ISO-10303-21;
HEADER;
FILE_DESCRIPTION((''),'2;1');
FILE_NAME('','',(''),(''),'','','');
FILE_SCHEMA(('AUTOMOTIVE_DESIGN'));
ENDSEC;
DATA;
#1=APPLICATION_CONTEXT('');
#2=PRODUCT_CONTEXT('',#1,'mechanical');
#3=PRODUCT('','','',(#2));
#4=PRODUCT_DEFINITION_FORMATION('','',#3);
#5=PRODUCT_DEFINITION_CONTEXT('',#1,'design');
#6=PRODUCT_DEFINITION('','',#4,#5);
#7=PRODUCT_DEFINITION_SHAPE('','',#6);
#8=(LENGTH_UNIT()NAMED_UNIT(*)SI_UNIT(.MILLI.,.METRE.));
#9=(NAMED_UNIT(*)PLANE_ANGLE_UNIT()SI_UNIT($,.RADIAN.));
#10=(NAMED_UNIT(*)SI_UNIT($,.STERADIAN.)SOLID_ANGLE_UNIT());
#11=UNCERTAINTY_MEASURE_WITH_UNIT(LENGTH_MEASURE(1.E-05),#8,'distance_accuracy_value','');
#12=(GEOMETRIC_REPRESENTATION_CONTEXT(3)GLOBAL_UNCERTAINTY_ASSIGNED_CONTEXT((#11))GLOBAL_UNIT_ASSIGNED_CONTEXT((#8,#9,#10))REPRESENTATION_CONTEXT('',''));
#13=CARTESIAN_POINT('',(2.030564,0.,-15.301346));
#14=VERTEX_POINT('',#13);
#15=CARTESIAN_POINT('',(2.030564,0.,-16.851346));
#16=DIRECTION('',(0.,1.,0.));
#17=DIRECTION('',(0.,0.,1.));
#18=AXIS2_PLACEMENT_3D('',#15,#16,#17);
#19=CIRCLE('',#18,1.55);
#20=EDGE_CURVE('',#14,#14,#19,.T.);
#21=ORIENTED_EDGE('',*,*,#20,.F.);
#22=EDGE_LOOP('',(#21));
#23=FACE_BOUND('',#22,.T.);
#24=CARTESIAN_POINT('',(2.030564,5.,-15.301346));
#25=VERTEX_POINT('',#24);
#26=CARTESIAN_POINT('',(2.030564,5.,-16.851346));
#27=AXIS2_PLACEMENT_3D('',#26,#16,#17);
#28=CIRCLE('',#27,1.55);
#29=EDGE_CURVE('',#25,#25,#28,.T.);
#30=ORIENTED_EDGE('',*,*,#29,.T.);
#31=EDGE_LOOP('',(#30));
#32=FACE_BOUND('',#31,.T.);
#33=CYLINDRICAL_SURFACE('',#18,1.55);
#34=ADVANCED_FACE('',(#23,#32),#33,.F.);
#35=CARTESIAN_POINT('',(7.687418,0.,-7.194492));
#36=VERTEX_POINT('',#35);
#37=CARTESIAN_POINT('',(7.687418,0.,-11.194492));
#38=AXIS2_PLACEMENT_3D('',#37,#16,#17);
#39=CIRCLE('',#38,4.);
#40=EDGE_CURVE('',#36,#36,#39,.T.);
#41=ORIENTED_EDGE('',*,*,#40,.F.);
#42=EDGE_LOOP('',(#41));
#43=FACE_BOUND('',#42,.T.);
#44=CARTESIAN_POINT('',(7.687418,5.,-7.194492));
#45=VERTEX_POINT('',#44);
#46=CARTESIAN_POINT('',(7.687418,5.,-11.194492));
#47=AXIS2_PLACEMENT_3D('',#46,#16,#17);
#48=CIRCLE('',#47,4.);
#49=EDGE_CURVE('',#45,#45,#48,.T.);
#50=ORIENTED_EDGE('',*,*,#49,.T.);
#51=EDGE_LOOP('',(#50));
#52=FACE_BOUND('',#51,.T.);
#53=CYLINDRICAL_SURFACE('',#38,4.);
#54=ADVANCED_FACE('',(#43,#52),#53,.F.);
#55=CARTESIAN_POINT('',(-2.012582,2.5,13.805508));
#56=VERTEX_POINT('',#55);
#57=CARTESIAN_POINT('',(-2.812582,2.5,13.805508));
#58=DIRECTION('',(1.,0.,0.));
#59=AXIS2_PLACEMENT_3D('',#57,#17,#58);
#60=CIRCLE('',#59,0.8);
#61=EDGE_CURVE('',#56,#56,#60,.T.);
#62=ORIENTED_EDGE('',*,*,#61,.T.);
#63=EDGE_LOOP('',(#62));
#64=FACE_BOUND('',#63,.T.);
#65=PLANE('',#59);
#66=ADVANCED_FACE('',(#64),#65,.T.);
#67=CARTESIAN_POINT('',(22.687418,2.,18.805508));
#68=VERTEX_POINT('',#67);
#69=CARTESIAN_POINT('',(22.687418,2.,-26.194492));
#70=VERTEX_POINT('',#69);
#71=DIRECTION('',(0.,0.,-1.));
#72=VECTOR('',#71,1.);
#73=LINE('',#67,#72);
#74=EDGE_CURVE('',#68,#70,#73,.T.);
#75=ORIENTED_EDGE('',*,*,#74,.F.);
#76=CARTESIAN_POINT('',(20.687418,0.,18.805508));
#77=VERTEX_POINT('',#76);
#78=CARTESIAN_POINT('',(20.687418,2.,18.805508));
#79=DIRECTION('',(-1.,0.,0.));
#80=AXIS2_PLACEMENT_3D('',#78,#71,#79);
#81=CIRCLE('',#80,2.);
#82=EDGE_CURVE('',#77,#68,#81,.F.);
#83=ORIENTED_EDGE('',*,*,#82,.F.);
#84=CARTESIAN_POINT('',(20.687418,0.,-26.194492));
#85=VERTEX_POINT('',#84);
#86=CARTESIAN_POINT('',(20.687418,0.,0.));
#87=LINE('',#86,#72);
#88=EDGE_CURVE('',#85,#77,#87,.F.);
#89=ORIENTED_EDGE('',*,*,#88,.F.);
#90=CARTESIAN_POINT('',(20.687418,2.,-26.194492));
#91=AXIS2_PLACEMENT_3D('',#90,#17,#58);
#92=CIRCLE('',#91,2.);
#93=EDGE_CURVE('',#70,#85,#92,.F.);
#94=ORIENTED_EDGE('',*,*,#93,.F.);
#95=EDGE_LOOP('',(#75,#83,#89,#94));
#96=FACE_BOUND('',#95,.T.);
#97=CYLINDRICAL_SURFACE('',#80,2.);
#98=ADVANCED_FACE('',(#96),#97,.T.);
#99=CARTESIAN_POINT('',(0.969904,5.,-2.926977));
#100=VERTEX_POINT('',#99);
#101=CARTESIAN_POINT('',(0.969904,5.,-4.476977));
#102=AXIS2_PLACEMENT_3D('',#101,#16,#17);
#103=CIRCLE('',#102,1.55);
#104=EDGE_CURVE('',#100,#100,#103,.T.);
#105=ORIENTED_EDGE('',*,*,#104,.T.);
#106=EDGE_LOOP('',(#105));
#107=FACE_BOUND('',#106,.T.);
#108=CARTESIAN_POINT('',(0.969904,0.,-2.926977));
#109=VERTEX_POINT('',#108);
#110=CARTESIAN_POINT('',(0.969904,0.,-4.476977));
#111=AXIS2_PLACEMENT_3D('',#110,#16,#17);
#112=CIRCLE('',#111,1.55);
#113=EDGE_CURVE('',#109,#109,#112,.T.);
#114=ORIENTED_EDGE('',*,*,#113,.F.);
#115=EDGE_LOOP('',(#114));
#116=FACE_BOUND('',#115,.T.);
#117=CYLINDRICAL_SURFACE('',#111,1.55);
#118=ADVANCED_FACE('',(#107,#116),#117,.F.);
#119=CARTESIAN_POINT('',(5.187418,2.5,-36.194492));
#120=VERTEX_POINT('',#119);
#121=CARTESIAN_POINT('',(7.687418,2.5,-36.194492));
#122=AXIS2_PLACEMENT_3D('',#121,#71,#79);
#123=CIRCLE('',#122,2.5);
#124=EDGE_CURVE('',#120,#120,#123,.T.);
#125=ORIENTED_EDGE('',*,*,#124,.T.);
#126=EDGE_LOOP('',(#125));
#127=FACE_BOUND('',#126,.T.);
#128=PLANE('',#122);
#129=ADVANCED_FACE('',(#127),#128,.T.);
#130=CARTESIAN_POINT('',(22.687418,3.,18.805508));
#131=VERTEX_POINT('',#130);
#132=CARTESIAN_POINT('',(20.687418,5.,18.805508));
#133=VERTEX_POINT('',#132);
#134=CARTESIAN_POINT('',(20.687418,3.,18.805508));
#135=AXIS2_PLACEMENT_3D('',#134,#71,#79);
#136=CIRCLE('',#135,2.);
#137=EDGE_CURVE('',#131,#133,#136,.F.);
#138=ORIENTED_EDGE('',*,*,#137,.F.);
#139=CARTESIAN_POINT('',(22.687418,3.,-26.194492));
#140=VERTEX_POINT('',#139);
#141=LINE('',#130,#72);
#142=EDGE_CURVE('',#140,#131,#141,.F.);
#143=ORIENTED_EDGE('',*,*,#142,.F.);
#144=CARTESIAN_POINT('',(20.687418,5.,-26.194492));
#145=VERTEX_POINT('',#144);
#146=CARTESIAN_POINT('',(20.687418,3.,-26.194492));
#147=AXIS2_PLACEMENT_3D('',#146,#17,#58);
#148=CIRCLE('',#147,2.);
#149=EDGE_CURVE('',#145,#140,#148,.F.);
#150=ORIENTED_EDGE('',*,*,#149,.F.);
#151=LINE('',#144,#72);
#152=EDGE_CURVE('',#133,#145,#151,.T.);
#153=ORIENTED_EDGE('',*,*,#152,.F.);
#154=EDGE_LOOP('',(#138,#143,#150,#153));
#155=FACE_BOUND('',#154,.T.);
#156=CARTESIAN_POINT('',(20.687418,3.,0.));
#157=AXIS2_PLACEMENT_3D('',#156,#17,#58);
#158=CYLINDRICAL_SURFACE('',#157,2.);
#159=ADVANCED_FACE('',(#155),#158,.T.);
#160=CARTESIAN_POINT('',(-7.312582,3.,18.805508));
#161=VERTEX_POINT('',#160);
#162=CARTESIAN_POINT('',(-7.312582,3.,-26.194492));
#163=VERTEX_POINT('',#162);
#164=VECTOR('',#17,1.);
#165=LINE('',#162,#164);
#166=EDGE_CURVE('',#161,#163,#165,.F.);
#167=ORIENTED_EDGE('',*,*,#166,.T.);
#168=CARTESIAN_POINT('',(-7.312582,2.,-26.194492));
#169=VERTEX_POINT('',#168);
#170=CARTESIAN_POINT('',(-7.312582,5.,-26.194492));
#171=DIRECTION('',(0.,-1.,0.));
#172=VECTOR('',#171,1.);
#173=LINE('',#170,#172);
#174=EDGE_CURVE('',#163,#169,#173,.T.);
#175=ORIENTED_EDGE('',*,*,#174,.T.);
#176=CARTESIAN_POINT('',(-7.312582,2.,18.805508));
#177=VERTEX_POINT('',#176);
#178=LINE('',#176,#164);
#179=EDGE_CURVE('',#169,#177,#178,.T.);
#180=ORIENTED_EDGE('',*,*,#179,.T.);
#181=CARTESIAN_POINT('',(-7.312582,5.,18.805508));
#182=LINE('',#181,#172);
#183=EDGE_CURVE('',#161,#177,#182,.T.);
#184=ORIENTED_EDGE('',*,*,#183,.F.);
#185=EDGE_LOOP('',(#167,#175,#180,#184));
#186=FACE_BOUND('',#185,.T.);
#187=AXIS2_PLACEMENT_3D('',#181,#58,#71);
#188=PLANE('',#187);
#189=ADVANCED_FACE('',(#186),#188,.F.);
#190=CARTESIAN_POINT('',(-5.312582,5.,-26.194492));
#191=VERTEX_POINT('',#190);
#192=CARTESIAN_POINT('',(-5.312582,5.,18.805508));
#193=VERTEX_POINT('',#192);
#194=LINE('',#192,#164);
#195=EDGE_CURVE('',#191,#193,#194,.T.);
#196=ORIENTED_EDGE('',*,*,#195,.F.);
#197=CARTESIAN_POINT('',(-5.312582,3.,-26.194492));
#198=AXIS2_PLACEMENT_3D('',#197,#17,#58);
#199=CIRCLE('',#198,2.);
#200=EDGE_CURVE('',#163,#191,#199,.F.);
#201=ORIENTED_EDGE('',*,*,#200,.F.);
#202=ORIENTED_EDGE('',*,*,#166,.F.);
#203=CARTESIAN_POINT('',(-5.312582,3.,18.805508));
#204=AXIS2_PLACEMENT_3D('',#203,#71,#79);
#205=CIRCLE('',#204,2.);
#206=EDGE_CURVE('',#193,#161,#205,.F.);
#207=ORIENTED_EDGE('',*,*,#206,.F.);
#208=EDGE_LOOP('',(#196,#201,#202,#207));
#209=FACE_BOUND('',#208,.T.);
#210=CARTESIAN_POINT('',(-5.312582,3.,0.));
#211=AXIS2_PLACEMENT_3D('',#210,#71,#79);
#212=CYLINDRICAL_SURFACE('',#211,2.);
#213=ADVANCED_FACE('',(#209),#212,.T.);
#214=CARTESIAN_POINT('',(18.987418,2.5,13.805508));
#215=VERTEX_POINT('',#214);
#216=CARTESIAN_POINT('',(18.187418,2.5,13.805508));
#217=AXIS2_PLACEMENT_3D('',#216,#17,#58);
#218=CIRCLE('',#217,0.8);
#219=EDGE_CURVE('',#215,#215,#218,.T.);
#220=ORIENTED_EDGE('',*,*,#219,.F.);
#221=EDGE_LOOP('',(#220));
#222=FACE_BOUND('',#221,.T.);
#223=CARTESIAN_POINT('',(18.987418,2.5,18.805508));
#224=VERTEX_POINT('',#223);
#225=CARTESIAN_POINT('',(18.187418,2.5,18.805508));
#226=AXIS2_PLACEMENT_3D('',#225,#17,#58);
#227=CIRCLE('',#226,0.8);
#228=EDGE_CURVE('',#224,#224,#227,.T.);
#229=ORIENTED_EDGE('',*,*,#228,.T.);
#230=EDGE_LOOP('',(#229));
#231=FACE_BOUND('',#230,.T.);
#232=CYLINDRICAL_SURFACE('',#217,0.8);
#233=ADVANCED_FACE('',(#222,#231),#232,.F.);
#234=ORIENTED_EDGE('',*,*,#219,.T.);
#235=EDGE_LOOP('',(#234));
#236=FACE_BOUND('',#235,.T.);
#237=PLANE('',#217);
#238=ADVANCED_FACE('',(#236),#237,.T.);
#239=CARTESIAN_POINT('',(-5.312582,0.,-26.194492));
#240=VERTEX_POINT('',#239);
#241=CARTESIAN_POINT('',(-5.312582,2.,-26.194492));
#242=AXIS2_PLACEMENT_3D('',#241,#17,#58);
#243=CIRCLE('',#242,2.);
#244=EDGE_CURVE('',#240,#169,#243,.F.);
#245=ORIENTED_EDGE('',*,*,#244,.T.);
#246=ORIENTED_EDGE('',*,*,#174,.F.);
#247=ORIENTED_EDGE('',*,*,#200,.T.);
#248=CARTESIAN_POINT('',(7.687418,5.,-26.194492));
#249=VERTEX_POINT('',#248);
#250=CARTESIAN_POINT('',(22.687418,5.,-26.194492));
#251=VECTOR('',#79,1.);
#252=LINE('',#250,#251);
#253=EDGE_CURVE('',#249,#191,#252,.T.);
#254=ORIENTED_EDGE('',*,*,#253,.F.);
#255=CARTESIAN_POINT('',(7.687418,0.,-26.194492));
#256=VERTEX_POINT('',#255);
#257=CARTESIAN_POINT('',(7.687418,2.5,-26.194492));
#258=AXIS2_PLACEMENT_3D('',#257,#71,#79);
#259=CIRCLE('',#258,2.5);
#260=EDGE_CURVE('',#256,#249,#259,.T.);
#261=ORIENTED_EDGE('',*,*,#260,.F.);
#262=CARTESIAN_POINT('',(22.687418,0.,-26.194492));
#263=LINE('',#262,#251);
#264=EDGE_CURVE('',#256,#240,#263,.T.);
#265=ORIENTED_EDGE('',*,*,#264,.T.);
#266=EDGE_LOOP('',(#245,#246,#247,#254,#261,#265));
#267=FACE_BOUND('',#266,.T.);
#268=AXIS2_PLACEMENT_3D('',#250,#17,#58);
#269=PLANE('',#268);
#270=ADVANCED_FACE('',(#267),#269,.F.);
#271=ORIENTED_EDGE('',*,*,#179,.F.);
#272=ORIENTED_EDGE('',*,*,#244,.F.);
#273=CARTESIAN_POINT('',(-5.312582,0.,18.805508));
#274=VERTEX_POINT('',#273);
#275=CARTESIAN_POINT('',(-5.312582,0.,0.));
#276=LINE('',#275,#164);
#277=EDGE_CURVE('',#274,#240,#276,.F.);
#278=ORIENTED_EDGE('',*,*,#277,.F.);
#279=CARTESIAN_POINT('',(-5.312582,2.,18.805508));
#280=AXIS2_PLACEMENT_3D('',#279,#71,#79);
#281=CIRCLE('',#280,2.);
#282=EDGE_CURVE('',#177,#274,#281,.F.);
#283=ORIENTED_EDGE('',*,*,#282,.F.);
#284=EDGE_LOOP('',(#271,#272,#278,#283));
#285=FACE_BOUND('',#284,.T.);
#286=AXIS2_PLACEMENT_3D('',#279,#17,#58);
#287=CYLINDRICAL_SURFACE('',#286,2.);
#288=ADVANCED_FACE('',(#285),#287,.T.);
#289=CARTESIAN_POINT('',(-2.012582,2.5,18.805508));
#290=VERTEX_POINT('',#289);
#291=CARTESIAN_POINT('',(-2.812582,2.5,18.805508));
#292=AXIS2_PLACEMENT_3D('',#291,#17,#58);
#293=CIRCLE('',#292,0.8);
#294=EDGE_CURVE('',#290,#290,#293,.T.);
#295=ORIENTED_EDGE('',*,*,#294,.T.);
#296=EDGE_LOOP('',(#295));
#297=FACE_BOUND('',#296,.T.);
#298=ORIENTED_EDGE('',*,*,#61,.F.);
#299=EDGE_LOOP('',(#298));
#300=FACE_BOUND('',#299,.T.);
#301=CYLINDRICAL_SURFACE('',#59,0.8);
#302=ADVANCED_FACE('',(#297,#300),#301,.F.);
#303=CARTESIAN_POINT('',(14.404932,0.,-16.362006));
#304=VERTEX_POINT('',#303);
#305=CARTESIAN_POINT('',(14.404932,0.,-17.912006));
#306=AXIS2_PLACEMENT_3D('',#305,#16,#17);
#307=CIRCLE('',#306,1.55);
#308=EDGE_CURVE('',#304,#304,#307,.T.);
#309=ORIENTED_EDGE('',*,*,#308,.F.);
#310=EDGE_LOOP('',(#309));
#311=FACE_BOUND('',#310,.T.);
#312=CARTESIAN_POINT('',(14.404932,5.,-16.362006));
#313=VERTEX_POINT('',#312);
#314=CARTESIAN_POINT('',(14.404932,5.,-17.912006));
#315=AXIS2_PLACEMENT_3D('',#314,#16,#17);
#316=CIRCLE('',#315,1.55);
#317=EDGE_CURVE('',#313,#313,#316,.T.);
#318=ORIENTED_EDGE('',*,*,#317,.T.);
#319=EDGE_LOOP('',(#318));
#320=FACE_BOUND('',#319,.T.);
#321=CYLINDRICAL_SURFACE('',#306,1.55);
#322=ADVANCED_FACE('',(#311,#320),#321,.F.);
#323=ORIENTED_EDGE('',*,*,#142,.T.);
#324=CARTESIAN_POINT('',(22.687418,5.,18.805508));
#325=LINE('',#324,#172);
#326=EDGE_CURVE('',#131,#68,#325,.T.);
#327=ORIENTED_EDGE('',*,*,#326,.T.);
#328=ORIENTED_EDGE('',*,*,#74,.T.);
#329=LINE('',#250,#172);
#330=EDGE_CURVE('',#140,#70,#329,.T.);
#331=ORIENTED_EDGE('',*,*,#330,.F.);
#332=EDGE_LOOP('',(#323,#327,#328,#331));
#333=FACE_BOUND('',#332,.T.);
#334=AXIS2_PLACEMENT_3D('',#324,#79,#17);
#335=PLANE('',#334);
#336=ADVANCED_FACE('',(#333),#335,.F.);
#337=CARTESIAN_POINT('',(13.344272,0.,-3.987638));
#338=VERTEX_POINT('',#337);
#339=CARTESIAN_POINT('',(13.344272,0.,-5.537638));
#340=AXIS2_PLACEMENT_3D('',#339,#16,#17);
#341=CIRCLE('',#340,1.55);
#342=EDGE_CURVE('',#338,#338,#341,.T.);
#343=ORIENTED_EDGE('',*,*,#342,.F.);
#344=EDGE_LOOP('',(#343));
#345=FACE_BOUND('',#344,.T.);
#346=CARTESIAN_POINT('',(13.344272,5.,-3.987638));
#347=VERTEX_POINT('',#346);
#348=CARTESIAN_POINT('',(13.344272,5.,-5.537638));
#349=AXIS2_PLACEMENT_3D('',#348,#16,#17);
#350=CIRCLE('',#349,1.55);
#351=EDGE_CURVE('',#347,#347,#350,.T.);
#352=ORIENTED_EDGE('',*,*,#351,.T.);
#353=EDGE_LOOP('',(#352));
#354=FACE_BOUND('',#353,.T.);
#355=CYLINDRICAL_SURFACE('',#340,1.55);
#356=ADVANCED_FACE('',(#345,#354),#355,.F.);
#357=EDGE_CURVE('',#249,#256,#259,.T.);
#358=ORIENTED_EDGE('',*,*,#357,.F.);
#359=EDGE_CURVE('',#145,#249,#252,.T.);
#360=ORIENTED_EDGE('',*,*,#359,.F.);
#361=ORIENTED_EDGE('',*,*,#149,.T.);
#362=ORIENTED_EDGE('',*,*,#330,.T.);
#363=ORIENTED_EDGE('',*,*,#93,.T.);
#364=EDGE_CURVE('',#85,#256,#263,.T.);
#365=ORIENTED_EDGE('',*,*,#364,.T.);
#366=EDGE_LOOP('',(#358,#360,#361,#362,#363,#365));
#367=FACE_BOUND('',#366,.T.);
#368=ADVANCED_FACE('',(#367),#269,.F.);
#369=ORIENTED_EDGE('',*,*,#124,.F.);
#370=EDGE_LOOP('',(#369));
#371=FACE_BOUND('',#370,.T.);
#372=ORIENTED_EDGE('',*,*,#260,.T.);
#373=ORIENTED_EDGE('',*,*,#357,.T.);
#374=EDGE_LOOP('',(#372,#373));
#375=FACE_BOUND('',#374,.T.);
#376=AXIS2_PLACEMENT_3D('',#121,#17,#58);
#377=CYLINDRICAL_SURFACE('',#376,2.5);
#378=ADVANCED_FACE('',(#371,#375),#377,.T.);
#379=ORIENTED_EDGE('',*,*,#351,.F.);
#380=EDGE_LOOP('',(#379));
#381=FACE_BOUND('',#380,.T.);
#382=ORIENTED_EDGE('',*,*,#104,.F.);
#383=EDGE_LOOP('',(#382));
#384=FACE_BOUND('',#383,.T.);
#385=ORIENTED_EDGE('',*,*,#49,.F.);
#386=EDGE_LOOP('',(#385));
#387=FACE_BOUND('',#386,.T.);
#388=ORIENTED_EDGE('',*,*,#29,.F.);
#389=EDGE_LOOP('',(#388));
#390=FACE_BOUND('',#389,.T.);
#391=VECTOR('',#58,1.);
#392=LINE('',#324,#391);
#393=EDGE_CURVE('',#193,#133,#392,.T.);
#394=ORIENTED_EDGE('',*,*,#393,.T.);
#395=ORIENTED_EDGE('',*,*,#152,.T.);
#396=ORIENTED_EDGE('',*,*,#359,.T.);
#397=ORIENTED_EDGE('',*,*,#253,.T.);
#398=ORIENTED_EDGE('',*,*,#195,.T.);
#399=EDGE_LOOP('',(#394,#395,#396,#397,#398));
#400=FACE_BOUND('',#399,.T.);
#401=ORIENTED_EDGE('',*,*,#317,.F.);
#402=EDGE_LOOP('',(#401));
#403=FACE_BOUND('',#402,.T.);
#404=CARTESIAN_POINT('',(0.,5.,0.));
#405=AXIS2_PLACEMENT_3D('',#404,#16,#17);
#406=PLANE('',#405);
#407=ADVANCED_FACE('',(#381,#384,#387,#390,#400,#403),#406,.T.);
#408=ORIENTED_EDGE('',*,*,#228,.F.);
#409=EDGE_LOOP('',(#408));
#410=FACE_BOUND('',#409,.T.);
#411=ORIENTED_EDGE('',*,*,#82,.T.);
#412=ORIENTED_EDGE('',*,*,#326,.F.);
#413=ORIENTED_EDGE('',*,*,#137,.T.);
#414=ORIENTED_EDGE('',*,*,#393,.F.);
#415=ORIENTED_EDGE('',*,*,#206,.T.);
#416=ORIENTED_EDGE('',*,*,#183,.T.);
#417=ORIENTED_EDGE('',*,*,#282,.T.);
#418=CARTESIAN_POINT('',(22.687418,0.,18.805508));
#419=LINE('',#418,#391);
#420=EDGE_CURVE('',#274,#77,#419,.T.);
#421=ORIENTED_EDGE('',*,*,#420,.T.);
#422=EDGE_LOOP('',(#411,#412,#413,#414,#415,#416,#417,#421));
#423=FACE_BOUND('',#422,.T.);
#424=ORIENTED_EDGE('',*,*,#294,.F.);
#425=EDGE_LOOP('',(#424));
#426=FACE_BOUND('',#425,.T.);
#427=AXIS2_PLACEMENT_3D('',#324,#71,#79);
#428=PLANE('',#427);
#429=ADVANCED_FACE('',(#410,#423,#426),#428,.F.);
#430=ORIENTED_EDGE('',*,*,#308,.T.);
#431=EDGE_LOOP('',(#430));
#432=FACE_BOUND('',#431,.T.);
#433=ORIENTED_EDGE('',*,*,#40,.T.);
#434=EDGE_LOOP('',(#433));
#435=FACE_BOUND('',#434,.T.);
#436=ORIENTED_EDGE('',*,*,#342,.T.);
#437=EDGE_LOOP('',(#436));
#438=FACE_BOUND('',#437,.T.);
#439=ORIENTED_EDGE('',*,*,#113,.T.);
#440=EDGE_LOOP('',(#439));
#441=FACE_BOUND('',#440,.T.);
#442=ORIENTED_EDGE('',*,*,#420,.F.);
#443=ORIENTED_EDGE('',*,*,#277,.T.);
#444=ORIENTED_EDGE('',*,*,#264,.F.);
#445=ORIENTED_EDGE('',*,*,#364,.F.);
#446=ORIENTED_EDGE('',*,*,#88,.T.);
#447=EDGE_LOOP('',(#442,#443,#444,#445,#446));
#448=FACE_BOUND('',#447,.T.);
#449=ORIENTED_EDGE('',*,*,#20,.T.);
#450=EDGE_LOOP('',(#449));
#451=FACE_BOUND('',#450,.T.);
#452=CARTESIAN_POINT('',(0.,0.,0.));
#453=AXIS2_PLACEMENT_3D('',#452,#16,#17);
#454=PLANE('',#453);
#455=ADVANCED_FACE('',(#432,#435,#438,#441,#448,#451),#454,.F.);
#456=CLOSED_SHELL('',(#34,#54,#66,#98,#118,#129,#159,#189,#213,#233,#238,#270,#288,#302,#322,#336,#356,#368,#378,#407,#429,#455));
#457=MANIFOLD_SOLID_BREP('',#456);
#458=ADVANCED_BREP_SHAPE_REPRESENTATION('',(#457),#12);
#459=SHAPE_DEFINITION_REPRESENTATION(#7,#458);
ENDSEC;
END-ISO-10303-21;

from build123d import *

# Parameters (mm, degrees)
SKETCH1_W           = 30
SKETCH1_H           = 45
BOSS_EXTRUDE1_DEPTH = 5
SKETCH2_R           = 4
CUT_EXTRUDE1_DEPTH  = 5
SKETCH3_R           = 1.55
CUT_EXTRUDE2_DEPTH  = 5
SKETCH4_R           = 0.8
CUT_EXTRUDE3_DEPTH  = 5
SKETCH5_R           = 2.5
BOSS_EXTRUDE2_DEPTH = 10
FILLET1_R           = 2


with BuildPart() as part:
    # Sketch1 → Boss-Extrude1 (new body)
    with BuildSketch(Plane(origin=(0, 0, 0), x_dir=(1, 0, 0), z_dir=(0, 1, 0))):
        with Locations((7.687417977, 3.694491888)):
            Rectangle(SKETCH1_W, SKETCH1_H)
    extrude(amount=BOSS_EXTRUDE1_DEPTH)

    # Sketch2 → Cut-Extrude1 (cut)
    with BuildSketch(Plane(origin=(0, 5, 0), x_dir=(-1, 0, 0), z_dir=(0, 1, 0))):
        with Locations(Location((-7.687417977, -11.194491888, 0), (0, 0, 90))):
            Circle(SKETCH2_R)
    extrude(amount=-CUT_EXTRUDE1_DEPTH, mode=Mode.SUBTRACT)

    # Sketch3 → Cut-Extrude2 (cut)
    with BuildSketch(Plane(origin=(0, 5, 0), x_dir=(1, 0, 0), z_dir=(0, 1, 0))):
        with Locations(Location((2.030563727, 16.851346138, 0), (0, 0, 270))):
            Circle(SKETCH3_R)
        with Locations(Location((14.404932398, 17.912006309, 0), (0, 0, 270))):
            Circle(SKETCH3_R)
        with Locations(Location((13.344272226, 5.537637639, 0), (0, 0, 270))):
            Circle(SKETCH3_R)
        with Locations(Location((0.969903556, 4.476977467, 0), (0, 0, 270))):
            Circle(SKETCH3_R)
    extrude(amount=-CUT_EXTRUDE2_DEPTH, mode=Mode.SUBTRACT)

    # Sketch4 → Cut-Extrude3 (cut)
    with BuildSketch(Plane.XY.offset(18.805508112)):
        with Locations((-2.812582023, 2.5)):
            Circle(SKETCH4_R)
        with Locations((18.187417977, 2.5)):
            Circle(SKETCH4_R)
    extrude(amount=-CUT_EXTRUDE3_DEPTH, mode=Mode.SUBTRACT)

    # Sketch5 → Boss-Extrude2 (add)
    with BuildSketch(Plane(origin=(0, 0, -26.194491888), x_dir=(-1, 0, 0), z_dir=(0, 0, -1))):
        with Locations(Location((-7.687417977, 2.5, 0), (0, 0, 270))):
            Circle(SKETCH5_R)
    extrude(amount=BOSS_EXTRUDE2_DEPTH)

    # Fillet1
    fillet1_edges = [part.edges().sort_by_distance(p)[0] for p in [
        (-7.312582023, 5, -3.694491888),
        (22.687417977, 5, -3.694491888),
        (-7.312582023, 0, -3.694491888),
        (22.687417977, 0, -3.694491888),
    ]]
    fillet(fillet1_edges, radius=FILLET1_R)


solid = part.part
